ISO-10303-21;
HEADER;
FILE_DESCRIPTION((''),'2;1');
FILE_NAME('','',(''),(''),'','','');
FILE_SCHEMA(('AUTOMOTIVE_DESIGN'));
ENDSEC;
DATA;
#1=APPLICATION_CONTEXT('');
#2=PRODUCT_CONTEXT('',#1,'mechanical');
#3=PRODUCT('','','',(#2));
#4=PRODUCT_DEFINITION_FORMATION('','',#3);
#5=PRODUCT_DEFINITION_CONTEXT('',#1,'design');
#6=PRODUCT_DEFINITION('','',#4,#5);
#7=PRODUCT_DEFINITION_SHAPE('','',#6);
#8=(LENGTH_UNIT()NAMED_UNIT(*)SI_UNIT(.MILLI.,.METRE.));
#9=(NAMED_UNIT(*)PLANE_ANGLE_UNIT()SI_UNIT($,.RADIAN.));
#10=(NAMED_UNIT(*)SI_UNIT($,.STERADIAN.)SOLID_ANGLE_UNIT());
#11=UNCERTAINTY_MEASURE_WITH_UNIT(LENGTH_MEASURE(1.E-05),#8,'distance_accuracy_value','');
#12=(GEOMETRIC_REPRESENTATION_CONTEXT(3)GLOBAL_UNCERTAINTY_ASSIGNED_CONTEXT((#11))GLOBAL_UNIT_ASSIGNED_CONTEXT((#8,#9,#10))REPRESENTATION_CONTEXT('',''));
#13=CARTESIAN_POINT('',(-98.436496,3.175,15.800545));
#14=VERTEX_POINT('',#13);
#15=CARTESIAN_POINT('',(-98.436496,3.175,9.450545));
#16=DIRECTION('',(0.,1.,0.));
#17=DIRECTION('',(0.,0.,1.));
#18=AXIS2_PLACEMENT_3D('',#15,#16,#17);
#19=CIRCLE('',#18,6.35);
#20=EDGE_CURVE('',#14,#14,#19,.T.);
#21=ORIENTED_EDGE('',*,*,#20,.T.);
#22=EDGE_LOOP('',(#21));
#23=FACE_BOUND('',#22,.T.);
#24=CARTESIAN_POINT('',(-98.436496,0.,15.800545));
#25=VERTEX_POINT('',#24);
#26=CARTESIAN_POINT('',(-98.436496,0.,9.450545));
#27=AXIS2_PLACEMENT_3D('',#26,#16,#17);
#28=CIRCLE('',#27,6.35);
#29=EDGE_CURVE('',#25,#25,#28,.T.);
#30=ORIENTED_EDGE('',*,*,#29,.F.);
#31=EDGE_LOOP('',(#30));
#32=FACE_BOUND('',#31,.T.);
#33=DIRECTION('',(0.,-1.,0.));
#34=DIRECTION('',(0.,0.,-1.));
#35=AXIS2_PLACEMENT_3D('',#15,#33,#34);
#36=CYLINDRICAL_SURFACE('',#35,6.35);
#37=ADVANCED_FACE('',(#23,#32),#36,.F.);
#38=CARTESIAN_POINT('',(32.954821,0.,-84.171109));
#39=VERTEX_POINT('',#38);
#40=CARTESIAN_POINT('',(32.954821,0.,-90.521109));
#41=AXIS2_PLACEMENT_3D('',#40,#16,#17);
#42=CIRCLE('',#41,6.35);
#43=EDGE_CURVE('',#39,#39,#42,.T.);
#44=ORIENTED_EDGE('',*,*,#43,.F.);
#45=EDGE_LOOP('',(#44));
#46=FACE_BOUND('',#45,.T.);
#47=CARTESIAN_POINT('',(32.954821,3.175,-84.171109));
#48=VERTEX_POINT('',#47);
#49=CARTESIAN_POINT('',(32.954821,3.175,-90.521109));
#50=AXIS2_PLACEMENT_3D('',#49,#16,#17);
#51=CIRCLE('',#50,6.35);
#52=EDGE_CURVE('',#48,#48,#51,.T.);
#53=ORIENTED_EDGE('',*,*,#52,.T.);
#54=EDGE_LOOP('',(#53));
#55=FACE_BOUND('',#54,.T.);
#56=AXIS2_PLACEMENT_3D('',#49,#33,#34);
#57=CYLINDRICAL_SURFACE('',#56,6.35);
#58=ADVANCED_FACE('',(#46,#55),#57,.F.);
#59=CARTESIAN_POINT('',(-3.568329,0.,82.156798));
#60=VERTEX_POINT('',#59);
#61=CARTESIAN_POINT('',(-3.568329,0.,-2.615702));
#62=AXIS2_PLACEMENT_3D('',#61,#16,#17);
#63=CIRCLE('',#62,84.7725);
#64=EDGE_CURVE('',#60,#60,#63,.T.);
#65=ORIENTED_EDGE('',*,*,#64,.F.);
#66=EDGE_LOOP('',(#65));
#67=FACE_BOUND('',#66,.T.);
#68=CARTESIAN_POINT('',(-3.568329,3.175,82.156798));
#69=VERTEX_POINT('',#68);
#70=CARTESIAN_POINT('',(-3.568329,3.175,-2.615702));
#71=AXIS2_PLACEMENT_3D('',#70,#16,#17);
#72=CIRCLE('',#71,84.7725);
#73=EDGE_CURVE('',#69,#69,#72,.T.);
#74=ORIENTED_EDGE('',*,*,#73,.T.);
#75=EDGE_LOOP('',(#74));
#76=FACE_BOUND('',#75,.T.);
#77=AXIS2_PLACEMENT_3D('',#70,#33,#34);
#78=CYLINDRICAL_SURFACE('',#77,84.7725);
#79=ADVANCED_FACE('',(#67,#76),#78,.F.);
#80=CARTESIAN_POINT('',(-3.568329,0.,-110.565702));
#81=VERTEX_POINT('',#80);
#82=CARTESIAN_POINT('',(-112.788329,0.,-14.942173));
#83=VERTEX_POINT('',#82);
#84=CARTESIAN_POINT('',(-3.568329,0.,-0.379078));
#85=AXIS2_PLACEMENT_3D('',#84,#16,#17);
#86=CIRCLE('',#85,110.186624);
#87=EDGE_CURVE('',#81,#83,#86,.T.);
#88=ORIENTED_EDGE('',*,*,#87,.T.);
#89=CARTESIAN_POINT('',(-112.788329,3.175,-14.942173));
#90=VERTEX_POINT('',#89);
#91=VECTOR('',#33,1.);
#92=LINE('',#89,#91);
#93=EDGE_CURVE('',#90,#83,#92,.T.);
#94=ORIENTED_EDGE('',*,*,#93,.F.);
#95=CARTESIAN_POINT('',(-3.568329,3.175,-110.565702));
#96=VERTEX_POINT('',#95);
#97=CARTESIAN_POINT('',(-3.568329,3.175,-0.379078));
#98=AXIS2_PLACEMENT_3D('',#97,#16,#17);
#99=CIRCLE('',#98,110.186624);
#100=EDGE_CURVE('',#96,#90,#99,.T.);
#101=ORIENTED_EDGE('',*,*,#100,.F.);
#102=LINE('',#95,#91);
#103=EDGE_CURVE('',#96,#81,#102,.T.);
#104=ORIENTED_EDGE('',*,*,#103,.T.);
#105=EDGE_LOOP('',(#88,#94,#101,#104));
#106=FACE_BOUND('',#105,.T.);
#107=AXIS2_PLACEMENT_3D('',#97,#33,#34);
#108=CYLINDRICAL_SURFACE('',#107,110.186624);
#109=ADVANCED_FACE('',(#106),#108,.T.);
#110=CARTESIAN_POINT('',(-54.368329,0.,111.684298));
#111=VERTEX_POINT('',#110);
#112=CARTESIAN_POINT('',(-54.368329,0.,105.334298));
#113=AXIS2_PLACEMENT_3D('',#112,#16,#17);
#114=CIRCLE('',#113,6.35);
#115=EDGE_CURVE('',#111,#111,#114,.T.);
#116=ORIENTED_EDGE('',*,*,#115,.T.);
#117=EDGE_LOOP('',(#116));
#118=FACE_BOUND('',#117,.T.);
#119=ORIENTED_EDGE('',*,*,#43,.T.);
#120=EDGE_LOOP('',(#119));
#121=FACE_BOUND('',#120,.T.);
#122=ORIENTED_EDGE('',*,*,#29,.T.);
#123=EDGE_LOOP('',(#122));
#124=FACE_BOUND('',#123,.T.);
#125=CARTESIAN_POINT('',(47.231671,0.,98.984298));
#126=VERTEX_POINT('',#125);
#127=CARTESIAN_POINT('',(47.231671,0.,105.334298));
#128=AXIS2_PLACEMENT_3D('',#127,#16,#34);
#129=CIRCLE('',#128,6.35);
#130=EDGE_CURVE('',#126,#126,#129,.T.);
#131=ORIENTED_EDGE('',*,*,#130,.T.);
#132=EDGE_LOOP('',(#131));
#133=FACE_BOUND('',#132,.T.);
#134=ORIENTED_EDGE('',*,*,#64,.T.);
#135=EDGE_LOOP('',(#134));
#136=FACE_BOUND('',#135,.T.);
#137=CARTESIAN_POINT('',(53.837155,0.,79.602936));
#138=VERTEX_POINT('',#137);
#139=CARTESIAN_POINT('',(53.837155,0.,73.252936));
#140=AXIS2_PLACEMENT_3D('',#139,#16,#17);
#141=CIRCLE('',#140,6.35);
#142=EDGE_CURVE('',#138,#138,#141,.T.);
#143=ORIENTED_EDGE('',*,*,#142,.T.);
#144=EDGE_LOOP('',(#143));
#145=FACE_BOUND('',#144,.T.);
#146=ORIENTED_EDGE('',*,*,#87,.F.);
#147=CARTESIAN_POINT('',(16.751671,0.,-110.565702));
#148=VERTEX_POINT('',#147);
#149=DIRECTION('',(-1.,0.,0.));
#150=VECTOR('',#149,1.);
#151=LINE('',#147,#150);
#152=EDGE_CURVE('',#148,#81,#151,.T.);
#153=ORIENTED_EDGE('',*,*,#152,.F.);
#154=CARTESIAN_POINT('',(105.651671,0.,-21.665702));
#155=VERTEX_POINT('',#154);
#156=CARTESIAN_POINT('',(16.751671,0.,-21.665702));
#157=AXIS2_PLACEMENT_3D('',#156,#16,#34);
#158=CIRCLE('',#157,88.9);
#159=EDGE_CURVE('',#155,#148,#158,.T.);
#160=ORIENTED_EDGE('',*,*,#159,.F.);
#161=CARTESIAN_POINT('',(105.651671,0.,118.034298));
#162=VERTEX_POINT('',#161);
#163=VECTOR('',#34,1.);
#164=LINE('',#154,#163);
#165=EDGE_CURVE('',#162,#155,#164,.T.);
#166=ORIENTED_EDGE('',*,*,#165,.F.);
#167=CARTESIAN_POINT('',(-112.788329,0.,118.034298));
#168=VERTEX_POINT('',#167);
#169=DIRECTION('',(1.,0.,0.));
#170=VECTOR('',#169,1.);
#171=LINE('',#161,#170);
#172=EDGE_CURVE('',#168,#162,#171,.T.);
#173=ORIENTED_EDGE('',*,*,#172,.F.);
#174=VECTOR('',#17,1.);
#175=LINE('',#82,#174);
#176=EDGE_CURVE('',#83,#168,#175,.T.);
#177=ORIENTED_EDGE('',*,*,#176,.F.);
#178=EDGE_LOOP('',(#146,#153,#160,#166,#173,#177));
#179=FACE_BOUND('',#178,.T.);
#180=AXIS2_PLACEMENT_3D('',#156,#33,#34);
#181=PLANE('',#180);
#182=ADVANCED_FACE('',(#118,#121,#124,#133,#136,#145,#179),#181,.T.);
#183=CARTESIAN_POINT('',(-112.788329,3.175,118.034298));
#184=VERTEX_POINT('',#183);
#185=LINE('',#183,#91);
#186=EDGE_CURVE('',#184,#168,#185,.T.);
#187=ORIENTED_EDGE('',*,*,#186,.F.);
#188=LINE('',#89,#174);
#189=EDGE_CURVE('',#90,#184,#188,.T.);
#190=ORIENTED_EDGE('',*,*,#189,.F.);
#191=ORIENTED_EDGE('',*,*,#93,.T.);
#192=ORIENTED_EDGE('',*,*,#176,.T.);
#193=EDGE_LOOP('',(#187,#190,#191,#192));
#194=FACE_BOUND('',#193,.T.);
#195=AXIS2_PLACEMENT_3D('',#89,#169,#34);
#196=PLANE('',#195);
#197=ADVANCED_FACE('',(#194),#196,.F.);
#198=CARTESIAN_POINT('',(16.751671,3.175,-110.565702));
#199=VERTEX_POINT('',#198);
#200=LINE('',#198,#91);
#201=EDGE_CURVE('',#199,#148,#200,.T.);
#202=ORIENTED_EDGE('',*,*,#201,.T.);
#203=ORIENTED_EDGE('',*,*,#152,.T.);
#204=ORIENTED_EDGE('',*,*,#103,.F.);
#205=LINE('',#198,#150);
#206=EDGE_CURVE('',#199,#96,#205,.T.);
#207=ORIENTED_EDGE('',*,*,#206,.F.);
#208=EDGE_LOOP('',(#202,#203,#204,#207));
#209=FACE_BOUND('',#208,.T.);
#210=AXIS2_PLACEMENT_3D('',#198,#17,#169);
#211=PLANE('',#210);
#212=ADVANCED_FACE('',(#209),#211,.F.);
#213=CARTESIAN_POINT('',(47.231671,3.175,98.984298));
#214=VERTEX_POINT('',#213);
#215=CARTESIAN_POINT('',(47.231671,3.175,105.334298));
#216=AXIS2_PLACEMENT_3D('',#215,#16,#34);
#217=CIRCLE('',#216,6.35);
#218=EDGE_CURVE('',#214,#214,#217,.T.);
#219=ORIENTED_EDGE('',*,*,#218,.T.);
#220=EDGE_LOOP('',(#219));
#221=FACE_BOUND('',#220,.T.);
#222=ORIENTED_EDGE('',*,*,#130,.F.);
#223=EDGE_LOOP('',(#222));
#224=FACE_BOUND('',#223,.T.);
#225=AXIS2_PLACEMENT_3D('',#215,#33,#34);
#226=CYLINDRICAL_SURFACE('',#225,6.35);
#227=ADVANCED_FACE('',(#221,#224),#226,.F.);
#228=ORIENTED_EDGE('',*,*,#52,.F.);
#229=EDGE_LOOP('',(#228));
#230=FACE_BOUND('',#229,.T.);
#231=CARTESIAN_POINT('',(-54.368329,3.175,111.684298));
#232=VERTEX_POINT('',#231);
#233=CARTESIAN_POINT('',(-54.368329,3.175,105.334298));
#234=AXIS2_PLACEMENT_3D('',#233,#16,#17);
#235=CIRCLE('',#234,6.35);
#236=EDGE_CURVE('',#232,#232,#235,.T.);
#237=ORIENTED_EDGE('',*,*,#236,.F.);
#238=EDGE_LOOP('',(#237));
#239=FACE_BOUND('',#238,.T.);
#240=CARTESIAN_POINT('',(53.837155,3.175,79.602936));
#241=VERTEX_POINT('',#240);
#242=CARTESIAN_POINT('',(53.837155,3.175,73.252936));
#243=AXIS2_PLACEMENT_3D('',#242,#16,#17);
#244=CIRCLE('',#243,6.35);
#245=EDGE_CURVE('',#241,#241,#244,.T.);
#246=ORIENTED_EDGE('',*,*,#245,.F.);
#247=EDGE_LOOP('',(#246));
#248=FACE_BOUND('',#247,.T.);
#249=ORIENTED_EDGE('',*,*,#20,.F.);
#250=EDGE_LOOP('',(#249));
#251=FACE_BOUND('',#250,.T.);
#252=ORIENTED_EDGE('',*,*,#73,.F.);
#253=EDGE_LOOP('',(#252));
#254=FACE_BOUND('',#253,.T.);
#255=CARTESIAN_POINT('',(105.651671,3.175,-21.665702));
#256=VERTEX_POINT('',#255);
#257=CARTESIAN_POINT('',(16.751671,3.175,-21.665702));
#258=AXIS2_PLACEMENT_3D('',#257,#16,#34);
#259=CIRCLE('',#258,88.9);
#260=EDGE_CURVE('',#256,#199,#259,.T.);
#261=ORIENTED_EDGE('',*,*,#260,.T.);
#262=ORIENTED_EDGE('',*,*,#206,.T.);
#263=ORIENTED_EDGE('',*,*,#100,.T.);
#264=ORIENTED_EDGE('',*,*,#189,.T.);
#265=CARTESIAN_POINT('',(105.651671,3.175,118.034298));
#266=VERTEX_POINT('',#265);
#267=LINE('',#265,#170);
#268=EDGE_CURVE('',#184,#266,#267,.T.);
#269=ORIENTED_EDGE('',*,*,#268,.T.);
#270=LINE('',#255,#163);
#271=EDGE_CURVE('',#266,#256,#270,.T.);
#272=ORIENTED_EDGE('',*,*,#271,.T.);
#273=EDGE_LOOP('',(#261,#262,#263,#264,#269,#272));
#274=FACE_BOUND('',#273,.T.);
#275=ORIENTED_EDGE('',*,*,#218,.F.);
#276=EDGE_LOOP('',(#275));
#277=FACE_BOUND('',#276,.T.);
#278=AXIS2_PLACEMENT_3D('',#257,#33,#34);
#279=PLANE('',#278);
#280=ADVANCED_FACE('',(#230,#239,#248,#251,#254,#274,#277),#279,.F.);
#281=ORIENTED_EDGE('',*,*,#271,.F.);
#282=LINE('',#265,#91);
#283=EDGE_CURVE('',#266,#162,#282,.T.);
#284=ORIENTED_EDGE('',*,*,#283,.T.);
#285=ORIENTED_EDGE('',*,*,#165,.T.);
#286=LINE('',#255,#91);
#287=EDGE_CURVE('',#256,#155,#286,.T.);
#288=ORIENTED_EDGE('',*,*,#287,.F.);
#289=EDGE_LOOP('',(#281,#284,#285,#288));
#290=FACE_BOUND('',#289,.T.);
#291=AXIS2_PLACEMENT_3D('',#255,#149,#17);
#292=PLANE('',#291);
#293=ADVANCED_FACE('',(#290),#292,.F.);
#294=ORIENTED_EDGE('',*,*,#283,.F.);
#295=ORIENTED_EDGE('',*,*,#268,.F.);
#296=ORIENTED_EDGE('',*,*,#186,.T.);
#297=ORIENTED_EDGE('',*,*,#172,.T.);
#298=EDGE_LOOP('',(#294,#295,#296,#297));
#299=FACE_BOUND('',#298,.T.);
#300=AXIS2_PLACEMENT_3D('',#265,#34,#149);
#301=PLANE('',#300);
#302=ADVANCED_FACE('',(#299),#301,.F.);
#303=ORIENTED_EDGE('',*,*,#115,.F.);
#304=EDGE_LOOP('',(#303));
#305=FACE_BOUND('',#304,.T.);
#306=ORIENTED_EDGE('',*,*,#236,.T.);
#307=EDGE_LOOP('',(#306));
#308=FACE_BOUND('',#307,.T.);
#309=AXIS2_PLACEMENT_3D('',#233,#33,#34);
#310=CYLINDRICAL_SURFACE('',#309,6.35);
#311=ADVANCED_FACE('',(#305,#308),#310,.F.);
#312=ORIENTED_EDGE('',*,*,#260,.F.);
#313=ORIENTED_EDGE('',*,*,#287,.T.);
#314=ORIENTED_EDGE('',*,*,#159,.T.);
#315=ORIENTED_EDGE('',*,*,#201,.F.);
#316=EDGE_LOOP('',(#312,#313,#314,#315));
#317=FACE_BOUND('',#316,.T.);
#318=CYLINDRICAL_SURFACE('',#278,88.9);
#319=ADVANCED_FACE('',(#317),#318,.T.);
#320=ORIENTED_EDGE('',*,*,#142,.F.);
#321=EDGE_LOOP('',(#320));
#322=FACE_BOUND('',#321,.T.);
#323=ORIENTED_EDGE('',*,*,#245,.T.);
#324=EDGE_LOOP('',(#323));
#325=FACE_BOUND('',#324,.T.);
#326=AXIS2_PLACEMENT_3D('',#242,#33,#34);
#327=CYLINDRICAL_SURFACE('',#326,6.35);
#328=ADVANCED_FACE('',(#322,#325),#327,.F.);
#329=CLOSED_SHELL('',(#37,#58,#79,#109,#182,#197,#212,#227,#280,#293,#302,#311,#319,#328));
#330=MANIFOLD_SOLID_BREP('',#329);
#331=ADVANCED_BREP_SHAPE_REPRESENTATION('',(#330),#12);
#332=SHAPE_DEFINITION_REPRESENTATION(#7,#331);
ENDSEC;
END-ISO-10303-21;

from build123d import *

# Parameters (mm, degrees)
SKETCH1_R           = 84.7725
SKETCH1_R_2         = 6.35
BOSS_EXTRUDE1_DEPTH = 3.175


with BuildPart() as part:
    # Sketch1 → Boss-Extrude1 (new body)
    with BuildSketch(Plane(origin=(0, 0, 0), x_dir=(1, 0, 0), z_dir=(0, 1, 0))):
        with BuildLine():
            Line((16.751670796, 110.565701996), (-3.568329204, 110.565701996))
            ThreePointArc((-3.568329204, 110.565701996), (-76.150812933, 83.28188355), (-112.788329204, 14.942172584))
            Line((-112.788329204, 14.942172584), (-112.788329204, -118.034298004))
            Line((-112.788329204, -118.034298004), (105.651670796, -118.034298004))
            Line((105.651670796, -118.034298004), (105.651670796, 21.665701996))
            ThreePointArc((105.651670796, 21.665701996), (79.613463644, 84.527494844), (16.751670796, 110.565701996))
        make_face()
        with Locations((-3.568329204, 2.615701996)):
            Circle(SKETCH1_R, mode=Mode.SUBTRACT)
        with Locations((-98.436496296, -9.450545062)):
            Circle(SKETCH1_R_2, mode=Mode.SUBTRACT)
        with Locations((-54.368329204, -105.334298004)):
            Circle(SKETCH1_R_2, mode=Mode.SUBTRACT)
        with Locations((47.231670796, -105.334298004)):
            Circle(SKETCH1_R_2, mode=Mode.SUBTRACT)
        with Locations((32.954821104, 90.521109481)):
            Circle(SKETCH1_R_2, mode=Mode.SUBTRACT)
        with Locations((53.837154897, -73.252936495)):
            Circle(SKETCH1_R_2, mode=Mode.SUBTRACT)
    extrude(amount=BOSS_EXTRUDE1_DEPTH)


solid = part.part
